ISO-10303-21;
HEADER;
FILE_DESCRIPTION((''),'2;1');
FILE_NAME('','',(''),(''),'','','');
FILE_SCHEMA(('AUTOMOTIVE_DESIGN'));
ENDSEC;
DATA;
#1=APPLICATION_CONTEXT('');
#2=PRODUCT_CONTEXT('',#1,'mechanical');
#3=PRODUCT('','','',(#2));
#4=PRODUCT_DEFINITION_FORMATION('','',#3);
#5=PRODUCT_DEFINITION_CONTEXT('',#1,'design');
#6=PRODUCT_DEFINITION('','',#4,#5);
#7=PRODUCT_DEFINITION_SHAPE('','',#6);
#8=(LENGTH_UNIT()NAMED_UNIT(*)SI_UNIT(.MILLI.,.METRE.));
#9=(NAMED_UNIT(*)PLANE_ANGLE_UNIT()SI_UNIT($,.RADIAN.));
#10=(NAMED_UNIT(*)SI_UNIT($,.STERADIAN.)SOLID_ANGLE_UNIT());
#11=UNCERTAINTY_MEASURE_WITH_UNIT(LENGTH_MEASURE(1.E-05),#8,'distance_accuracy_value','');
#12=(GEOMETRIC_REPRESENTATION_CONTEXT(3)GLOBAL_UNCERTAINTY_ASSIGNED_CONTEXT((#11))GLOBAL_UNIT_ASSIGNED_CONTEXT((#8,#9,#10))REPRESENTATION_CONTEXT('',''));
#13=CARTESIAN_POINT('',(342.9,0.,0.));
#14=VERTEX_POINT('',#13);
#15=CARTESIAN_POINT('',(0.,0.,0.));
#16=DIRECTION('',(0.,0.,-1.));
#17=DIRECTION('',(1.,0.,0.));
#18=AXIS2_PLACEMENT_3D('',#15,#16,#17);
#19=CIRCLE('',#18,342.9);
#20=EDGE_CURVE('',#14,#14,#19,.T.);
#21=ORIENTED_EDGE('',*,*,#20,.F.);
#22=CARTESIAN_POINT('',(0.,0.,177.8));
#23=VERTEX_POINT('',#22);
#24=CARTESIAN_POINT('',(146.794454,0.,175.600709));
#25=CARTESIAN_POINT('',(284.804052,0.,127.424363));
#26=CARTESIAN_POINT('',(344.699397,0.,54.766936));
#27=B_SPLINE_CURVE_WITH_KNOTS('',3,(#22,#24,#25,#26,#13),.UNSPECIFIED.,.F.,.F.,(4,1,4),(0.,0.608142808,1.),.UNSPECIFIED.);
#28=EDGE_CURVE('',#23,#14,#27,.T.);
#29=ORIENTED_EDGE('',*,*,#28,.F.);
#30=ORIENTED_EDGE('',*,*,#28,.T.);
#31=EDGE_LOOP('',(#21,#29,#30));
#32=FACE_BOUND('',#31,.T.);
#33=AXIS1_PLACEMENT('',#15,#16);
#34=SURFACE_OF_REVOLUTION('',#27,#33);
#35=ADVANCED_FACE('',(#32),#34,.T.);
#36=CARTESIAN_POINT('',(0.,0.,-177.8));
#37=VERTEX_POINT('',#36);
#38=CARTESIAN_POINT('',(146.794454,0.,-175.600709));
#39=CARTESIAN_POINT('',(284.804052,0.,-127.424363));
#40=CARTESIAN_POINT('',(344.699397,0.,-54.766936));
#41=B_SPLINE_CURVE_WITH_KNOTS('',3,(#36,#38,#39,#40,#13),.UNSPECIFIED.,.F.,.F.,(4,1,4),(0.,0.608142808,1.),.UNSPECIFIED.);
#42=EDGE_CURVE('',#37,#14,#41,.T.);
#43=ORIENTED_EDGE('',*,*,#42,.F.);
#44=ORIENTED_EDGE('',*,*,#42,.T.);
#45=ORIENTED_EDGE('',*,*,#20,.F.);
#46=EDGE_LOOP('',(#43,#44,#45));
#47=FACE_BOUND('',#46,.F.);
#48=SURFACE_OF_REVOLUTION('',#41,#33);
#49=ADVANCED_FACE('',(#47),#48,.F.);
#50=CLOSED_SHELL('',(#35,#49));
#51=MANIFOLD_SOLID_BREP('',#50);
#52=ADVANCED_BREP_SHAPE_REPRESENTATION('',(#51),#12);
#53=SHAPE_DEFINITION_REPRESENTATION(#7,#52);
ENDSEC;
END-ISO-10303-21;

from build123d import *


with BuildPart() as f1:
    # F0 (on Front) → F1 (revolve)
    with BuildSketch(Plane.XZ):
        with BuildLine():
            add(Edge.make_bspline(
                [(0, 177.8), (146.7944541927, 175.6007092275), (284.8040516867, 127.4243632634), (344.6993970118, 54.7669356568), (342.9, 0)],
                knots=[0, 0, 0, 0, 0.6081428083, 1, 1, 1, 1], degree=3))
            Line((0, 177.8), (0, -177.8))
            add(Edge.make_bspline(
                [(0, -177.8), (146.7944541927, -175.6007092275), (284.8040516867, -127.4243632634), (344.6993970118, -54.7669356568), (342.9, 0)],
                knots=[0, 0, 0, 0, 0.6081428083, 1, 1, 1, 1], degree=3))
        make_face()
    revolve(axis=Axis((0, 0, 0), (0, 0, -1)))


solid = f1.part
